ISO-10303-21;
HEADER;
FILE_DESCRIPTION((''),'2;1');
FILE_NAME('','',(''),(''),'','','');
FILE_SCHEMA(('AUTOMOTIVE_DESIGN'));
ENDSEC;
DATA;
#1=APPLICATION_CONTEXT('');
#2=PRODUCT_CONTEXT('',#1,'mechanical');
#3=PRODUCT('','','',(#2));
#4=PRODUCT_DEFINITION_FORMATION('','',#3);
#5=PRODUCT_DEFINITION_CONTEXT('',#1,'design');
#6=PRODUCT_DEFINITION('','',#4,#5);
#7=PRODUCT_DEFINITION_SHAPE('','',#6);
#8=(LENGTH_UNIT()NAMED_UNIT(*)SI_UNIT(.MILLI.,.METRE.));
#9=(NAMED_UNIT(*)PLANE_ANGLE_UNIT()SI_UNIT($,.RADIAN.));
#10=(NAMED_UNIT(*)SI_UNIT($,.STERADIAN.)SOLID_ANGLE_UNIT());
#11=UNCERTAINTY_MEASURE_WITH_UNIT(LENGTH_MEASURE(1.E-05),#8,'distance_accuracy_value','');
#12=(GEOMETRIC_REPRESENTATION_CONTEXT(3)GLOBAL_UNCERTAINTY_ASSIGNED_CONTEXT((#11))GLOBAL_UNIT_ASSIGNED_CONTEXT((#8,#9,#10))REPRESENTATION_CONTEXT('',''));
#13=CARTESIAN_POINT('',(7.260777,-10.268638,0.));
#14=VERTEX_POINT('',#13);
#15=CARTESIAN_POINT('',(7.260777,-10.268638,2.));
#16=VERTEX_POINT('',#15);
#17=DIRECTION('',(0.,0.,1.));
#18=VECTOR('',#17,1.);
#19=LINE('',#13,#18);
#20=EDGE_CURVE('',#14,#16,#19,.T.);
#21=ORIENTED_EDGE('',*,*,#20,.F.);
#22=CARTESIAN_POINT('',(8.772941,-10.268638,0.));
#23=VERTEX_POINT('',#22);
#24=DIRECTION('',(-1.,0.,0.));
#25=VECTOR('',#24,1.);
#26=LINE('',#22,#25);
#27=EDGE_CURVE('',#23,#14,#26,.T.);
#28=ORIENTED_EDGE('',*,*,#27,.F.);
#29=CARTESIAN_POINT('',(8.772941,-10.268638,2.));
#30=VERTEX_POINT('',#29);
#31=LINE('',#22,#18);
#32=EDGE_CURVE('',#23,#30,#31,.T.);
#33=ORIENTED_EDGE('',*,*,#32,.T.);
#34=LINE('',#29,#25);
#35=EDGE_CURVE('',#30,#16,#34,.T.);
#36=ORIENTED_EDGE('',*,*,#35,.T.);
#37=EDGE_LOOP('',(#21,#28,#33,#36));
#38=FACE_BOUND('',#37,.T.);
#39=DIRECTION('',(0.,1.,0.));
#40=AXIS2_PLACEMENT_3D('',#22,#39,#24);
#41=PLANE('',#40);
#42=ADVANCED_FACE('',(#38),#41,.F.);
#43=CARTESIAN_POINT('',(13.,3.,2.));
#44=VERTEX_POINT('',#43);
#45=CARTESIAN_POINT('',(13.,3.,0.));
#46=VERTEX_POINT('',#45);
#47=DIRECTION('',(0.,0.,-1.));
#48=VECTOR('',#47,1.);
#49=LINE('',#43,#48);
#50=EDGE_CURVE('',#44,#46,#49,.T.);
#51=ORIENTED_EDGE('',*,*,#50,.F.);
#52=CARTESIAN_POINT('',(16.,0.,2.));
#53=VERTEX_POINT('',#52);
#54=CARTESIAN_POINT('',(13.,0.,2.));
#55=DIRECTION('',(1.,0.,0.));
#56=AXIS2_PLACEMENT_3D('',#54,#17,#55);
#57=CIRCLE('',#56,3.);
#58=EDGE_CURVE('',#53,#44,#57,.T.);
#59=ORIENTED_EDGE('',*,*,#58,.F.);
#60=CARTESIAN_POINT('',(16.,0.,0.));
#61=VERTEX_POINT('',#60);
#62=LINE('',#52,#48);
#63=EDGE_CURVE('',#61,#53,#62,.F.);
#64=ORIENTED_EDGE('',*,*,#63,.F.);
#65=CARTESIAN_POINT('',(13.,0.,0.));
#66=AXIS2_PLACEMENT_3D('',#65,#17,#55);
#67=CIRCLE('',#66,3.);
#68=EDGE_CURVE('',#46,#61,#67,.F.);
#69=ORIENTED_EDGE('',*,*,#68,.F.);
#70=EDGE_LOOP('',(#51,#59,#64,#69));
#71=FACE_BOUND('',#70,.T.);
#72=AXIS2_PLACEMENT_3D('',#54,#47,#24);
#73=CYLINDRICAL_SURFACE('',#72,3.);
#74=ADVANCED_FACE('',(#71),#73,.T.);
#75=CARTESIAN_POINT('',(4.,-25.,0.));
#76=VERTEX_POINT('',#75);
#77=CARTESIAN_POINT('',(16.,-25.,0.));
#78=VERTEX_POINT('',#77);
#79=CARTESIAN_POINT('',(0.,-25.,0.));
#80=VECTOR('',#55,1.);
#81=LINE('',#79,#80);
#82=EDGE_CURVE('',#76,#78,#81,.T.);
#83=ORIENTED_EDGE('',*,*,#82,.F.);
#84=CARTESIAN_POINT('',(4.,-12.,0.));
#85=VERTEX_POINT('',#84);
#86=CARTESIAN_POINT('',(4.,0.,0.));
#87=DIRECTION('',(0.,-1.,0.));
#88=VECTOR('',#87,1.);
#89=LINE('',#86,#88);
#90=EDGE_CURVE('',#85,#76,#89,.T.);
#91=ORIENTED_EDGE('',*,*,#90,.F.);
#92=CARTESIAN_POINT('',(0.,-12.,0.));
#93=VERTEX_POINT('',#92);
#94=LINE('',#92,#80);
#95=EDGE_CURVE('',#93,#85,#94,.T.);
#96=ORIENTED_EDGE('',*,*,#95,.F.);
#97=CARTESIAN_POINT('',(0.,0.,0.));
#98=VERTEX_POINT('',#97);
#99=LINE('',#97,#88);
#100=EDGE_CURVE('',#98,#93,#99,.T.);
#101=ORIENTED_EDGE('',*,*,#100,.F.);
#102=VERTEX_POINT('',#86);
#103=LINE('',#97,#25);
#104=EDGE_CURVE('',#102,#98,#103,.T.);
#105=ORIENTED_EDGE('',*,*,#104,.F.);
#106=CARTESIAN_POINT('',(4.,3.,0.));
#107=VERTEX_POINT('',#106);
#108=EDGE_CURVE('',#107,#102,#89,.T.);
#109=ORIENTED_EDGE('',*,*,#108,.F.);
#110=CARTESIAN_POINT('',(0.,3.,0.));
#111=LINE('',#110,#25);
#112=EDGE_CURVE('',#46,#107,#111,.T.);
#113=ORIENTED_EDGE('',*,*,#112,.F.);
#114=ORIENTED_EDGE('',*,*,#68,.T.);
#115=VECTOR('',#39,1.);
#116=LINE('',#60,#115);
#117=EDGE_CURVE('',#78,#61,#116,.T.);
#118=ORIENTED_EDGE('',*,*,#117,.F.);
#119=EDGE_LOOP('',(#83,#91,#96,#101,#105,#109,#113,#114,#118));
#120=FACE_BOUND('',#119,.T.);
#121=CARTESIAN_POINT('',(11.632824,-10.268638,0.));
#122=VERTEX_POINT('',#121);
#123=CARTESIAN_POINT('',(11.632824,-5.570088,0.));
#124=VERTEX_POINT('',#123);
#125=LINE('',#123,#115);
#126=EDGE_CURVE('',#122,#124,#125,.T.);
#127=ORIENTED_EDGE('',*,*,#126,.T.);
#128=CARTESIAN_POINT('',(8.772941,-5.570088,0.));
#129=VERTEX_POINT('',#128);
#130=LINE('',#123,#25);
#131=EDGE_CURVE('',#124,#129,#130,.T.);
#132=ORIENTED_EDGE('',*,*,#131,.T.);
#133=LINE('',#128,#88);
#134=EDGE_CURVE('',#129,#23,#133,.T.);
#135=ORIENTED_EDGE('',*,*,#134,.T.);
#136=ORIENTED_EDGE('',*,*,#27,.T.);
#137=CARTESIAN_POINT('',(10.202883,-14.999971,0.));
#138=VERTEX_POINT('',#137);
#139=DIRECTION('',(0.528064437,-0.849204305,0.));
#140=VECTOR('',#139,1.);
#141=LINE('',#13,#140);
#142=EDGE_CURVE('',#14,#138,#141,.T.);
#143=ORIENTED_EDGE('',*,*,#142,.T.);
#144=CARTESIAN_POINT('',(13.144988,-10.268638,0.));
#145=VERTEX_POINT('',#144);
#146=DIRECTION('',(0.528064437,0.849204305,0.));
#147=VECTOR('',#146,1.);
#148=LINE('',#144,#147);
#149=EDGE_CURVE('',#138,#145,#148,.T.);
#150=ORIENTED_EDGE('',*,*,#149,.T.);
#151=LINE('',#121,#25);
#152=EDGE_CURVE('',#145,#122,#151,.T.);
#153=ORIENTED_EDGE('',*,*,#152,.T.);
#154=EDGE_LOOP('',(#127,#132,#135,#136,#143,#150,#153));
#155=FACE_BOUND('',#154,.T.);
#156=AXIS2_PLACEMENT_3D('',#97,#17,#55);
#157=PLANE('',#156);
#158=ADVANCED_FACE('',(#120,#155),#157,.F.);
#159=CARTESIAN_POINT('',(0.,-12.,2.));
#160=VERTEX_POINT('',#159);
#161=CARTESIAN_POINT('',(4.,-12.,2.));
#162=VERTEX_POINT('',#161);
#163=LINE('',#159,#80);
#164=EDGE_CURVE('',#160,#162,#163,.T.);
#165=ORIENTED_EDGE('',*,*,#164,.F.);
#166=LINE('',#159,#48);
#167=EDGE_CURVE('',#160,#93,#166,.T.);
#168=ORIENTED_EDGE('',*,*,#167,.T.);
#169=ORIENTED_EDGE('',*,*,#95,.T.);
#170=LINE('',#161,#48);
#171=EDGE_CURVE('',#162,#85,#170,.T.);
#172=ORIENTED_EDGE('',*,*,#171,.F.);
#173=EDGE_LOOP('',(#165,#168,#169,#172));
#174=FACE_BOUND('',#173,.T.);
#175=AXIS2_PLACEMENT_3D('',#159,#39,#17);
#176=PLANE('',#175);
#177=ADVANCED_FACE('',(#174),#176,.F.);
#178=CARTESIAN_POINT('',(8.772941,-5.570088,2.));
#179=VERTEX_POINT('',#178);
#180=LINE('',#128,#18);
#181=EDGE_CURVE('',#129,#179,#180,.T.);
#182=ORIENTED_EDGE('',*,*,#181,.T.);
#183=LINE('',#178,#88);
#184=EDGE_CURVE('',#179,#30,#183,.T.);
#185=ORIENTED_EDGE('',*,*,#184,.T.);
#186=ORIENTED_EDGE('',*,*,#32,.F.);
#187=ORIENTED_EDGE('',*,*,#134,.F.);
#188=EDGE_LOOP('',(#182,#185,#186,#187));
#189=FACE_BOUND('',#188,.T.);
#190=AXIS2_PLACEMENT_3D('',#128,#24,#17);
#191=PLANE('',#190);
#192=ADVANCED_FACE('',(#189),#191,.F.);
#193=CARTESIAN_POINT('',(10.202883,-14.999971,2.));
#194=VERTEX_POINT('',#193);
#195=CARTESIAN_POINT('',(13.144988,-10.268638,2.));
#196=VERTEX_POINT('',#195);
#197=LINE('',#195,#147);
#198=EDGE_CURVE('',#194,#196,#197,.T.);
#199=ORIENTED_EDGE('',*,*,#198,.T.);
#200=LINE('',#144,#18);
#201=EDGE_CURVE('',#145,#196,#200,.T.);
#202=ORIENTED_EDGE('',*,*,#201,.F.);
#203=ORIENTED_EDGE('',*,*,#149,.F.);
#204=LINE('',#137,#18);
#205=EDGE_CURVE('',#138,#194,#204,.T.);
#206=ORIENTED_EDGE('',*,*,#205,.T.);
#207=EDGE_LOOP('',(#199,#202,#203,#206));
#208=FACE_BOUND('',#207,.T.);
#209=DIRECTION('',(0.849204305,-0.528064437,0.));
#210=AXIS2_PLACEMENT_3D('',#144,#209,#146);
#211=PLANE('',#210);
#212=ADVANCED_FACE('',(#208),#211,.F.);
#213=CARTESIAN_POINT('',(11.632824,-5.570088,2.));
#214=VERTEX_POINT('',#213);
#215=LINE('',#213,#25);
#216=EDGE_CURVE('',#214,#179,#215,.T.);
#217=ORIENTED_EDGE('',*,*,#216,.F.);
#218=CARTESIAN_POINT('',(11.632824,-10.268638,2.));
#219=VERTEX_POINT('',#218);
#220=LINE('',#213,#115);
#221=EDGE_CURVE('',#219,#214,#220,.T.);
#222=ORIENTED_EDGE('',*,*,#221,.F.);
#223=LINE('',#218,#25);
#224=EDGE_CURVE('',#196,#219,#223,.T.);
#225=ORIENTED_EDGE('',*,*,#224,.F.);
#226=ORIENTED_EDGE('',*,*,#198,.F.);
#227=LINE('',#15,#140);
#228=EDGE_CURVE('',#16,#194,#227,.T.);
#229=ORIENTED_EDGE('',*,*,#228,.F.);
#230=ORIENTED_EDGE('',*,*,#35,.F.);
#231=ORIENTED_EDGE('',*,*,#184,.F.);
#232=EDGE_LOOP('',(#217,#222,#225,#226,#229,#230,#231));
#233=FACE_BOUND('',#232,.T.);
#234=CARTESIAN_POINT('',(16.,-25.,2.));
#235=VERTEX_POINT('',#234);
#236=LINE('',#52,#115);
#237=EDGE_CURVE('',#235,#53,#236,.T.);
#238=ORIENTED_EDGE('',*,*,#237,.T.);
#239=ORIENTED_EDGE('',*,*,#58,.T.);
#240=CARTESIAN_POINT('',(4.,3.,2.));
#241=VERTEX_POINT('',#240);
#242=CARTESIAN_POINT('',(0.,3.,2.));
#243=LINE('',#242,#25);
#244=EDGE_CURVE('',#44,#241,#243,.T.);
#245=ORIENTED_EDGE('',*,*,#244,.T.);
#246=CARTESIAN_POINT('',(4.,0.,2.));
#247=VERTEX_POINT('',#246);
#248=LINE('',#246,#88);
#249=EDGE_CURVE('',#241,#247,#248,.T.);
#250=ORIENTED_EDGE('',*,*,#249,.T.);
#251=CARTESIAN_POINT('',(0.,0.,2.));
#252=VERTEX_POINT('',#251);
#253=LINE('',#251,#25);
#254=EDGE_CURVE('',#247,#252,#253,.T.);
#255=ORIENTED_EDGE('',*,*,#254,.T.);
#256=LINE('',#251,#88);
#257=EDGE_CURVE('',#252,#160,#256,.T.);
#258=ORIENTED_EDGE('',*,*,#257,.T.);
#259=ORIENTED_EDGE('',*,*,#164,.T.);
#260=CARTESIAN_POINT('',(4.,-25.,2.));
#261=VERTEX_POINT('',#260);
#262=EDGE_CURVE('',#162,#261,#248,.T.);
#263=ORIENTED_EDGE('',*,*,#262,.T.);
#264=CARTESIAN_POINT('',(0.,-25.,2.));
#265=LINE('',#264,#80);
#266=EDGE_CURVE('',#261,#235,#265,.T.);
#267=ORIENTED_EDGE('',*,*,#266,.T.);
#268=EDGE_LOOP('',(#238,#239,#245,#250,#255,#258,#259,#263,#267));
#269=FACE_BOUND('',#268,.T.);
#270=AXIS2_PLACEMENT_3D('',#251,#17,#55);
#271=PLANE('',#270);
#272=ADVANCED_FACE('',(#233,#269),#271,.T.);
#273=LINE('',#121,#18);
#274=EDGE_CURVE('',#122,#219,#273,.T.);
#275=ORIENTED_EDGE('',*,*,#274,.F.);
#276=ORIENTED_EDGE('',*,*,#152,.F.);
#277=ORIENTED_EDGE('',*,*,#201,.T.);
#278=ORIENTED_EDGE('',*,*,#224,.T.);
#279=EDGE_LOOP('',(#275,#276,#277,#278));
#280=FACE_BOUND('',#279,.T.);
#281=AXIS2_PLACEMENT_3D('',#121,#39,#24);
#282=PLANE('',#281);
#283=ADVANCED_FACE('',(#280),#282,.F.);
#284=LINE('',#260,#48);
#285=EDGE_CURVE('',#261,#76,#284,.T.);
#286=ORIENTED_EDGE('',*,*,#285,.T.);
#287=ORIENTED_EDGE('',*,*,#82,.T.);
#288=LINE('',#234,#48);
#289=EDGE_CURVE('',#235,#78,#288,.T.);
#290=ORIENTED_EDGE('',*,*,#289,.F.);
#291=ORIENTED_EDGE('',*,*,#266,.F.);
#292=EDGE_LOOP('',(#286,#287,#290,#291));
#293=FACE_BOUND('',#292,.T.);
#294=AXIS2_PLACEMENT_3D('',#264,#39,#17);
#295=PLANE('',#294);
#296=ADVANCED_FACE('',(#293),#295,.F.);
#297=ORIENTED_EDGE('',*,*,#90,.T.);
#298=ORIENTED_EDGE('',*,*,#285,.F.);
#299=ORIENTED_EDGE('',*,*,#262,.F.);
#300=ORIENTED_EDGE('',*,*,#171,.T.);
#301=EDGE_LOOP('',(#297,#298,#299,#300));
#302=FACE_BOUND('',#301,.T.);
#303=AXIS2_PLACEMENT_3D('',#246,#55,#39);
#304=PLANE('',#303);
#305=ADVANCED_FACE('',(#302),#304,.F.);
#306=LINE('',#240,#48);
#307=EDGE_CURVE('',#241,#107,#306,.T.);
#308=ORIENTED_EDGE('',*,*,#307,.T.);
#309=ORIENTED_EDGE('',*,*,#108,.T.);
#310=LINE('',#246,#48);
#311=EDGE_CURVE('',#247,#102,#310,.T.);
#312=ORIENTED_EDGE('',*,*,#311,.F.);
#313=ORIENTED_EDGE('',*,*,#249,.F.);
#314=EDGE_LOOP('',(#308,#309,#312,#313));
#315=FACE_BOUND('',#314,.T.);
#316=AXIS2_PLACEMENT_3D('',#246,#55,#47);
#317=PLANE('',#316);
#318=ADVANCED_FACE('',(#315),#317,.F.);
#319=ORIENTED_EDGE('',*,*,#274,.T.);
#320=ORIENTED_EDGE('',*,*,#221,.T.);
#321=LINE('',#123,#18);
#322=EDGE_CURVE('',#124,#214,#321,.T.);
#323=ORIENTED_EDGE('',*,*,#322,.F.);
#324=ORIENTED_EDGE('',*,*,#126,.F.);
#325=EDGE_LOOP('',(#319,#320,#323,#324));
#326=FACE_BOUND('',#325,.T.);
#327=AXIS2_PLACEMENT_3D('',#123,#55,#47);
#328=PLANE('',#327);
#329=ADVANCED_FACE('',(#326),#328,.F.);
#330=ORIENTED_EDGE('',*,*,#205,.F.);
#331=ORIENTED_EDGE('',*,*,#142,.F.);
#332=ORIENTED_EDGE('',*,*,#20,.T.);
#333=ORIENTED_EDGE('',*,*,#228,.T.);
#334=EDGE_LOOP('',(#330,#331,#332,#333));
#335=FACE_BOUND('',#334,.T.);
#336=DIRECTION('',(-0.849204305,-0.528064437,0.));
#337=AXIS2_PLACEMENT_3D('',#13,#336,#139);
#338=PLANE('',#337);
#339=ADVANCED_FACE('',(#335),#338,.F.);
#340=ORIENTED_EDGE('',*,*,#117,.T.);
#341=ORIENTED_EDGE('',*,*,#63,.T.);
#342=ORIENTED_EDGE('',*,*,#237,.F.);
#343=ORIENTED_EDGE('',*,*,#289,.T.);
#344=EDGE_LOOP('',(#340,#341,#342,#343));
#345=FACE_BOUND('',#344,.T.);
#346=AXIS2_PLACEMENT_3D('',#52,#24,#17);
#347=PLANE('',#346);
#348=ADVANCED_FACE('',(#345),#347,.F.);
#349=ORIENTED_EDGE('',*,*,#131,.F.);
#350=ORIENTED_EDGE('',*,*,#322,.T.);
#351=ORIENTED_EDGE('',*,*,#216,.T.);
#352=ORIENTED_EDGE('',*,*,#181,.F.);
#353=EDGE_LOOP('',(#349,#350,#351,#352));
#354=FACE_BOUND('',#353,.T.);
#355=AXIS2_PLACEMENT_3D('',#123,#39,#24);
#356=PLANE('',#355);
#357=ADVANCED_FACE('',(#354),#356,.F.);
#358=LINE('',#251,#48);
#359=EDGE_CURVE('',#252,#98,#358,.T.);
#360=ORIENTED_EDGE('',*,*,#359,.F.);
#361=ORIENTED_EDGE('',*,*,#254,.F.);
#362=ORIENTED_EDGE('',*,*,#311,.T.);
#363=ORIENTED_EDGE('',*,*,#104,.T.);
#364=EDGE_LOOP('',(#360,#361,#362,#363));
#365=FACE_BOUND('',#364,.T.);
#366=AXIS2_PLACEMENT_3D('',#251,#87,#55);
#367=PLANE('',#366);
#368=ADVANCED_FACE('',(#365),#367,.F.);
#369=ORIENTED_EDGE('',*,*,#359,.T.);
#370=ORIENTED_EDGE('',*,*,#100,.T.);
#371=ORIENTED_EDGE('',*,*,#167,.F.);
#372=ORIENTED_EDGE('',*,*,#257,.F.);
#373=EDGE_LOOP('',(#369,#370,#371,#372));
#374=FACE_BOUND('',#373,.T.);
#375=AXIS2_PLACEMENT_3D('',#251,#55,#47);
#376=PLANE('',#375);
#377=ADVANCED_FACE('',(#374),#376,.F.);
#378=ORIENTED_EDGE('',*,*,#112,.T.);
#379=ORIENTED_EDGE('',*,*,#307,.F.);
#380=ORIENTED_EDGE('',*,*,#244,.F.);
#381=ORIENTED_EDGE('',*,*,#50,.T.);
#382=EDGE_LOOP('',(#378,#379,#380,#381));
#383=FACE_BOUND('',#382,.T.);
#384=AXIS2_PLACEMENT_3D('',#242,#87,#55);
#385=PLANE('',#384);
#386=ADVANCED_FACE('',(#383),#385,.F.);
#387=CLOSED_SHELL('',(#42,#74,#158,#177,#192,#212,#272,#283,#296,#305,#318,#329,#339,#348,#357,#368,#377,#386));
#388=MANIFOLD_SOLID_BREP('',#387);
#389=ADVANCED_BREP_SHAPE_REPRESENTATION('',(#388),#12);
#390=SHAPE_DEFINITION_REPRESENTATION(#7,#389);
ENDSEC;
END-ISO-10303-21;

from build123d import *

# Parameters (mm, degrees)
EXTRUDE_1_DEPTH     = 2
CUT_EXTRUDE_1_DEPTH = 2
FILLET_1_R          = 3


with BuildPart() as part:
    # ｽｹｯﾁ1 → ﾎﾞｽ - 押し出し1 (new body)
    with BuildSketch(Plane.XY):
        Polygon((4, 0), (0, 0), (0, -12), (4, -12), (4, -25), (16, -25), (16, 3), (4, 3), align=None)
    extrude(amount=EXTRUDE_1_DEPTH)

    # ｽｹｯﾁ2 → ｶｯﾄ - 押し出し1 (cut)
    with BuildSketch(Plane.XY.offset(2)):
        Polygon((11.632823949, -5.570087609), (8.772941266, -5.570087609), (8.772941266, -10.268637818), (7.260776917, -10.268637818), (10.202882607, -14.99997105), (13.144988298, -10.268637818), (11.632823949, -10.268637818), align=None)
    extrude(amount=-CUT_EXTRUDE_1_DEPTH, mode=Mode.SUBTRACT)

    # ﾌｨﾚｯﾄ1
    fillet_1_edges = [part.edges().sort_by_distance(p)[0] for p in [
        (16, 3, 1),
    ]]
    fillet(fillet_1_edges, radius=FILLET_1_R)


solid = part.part
